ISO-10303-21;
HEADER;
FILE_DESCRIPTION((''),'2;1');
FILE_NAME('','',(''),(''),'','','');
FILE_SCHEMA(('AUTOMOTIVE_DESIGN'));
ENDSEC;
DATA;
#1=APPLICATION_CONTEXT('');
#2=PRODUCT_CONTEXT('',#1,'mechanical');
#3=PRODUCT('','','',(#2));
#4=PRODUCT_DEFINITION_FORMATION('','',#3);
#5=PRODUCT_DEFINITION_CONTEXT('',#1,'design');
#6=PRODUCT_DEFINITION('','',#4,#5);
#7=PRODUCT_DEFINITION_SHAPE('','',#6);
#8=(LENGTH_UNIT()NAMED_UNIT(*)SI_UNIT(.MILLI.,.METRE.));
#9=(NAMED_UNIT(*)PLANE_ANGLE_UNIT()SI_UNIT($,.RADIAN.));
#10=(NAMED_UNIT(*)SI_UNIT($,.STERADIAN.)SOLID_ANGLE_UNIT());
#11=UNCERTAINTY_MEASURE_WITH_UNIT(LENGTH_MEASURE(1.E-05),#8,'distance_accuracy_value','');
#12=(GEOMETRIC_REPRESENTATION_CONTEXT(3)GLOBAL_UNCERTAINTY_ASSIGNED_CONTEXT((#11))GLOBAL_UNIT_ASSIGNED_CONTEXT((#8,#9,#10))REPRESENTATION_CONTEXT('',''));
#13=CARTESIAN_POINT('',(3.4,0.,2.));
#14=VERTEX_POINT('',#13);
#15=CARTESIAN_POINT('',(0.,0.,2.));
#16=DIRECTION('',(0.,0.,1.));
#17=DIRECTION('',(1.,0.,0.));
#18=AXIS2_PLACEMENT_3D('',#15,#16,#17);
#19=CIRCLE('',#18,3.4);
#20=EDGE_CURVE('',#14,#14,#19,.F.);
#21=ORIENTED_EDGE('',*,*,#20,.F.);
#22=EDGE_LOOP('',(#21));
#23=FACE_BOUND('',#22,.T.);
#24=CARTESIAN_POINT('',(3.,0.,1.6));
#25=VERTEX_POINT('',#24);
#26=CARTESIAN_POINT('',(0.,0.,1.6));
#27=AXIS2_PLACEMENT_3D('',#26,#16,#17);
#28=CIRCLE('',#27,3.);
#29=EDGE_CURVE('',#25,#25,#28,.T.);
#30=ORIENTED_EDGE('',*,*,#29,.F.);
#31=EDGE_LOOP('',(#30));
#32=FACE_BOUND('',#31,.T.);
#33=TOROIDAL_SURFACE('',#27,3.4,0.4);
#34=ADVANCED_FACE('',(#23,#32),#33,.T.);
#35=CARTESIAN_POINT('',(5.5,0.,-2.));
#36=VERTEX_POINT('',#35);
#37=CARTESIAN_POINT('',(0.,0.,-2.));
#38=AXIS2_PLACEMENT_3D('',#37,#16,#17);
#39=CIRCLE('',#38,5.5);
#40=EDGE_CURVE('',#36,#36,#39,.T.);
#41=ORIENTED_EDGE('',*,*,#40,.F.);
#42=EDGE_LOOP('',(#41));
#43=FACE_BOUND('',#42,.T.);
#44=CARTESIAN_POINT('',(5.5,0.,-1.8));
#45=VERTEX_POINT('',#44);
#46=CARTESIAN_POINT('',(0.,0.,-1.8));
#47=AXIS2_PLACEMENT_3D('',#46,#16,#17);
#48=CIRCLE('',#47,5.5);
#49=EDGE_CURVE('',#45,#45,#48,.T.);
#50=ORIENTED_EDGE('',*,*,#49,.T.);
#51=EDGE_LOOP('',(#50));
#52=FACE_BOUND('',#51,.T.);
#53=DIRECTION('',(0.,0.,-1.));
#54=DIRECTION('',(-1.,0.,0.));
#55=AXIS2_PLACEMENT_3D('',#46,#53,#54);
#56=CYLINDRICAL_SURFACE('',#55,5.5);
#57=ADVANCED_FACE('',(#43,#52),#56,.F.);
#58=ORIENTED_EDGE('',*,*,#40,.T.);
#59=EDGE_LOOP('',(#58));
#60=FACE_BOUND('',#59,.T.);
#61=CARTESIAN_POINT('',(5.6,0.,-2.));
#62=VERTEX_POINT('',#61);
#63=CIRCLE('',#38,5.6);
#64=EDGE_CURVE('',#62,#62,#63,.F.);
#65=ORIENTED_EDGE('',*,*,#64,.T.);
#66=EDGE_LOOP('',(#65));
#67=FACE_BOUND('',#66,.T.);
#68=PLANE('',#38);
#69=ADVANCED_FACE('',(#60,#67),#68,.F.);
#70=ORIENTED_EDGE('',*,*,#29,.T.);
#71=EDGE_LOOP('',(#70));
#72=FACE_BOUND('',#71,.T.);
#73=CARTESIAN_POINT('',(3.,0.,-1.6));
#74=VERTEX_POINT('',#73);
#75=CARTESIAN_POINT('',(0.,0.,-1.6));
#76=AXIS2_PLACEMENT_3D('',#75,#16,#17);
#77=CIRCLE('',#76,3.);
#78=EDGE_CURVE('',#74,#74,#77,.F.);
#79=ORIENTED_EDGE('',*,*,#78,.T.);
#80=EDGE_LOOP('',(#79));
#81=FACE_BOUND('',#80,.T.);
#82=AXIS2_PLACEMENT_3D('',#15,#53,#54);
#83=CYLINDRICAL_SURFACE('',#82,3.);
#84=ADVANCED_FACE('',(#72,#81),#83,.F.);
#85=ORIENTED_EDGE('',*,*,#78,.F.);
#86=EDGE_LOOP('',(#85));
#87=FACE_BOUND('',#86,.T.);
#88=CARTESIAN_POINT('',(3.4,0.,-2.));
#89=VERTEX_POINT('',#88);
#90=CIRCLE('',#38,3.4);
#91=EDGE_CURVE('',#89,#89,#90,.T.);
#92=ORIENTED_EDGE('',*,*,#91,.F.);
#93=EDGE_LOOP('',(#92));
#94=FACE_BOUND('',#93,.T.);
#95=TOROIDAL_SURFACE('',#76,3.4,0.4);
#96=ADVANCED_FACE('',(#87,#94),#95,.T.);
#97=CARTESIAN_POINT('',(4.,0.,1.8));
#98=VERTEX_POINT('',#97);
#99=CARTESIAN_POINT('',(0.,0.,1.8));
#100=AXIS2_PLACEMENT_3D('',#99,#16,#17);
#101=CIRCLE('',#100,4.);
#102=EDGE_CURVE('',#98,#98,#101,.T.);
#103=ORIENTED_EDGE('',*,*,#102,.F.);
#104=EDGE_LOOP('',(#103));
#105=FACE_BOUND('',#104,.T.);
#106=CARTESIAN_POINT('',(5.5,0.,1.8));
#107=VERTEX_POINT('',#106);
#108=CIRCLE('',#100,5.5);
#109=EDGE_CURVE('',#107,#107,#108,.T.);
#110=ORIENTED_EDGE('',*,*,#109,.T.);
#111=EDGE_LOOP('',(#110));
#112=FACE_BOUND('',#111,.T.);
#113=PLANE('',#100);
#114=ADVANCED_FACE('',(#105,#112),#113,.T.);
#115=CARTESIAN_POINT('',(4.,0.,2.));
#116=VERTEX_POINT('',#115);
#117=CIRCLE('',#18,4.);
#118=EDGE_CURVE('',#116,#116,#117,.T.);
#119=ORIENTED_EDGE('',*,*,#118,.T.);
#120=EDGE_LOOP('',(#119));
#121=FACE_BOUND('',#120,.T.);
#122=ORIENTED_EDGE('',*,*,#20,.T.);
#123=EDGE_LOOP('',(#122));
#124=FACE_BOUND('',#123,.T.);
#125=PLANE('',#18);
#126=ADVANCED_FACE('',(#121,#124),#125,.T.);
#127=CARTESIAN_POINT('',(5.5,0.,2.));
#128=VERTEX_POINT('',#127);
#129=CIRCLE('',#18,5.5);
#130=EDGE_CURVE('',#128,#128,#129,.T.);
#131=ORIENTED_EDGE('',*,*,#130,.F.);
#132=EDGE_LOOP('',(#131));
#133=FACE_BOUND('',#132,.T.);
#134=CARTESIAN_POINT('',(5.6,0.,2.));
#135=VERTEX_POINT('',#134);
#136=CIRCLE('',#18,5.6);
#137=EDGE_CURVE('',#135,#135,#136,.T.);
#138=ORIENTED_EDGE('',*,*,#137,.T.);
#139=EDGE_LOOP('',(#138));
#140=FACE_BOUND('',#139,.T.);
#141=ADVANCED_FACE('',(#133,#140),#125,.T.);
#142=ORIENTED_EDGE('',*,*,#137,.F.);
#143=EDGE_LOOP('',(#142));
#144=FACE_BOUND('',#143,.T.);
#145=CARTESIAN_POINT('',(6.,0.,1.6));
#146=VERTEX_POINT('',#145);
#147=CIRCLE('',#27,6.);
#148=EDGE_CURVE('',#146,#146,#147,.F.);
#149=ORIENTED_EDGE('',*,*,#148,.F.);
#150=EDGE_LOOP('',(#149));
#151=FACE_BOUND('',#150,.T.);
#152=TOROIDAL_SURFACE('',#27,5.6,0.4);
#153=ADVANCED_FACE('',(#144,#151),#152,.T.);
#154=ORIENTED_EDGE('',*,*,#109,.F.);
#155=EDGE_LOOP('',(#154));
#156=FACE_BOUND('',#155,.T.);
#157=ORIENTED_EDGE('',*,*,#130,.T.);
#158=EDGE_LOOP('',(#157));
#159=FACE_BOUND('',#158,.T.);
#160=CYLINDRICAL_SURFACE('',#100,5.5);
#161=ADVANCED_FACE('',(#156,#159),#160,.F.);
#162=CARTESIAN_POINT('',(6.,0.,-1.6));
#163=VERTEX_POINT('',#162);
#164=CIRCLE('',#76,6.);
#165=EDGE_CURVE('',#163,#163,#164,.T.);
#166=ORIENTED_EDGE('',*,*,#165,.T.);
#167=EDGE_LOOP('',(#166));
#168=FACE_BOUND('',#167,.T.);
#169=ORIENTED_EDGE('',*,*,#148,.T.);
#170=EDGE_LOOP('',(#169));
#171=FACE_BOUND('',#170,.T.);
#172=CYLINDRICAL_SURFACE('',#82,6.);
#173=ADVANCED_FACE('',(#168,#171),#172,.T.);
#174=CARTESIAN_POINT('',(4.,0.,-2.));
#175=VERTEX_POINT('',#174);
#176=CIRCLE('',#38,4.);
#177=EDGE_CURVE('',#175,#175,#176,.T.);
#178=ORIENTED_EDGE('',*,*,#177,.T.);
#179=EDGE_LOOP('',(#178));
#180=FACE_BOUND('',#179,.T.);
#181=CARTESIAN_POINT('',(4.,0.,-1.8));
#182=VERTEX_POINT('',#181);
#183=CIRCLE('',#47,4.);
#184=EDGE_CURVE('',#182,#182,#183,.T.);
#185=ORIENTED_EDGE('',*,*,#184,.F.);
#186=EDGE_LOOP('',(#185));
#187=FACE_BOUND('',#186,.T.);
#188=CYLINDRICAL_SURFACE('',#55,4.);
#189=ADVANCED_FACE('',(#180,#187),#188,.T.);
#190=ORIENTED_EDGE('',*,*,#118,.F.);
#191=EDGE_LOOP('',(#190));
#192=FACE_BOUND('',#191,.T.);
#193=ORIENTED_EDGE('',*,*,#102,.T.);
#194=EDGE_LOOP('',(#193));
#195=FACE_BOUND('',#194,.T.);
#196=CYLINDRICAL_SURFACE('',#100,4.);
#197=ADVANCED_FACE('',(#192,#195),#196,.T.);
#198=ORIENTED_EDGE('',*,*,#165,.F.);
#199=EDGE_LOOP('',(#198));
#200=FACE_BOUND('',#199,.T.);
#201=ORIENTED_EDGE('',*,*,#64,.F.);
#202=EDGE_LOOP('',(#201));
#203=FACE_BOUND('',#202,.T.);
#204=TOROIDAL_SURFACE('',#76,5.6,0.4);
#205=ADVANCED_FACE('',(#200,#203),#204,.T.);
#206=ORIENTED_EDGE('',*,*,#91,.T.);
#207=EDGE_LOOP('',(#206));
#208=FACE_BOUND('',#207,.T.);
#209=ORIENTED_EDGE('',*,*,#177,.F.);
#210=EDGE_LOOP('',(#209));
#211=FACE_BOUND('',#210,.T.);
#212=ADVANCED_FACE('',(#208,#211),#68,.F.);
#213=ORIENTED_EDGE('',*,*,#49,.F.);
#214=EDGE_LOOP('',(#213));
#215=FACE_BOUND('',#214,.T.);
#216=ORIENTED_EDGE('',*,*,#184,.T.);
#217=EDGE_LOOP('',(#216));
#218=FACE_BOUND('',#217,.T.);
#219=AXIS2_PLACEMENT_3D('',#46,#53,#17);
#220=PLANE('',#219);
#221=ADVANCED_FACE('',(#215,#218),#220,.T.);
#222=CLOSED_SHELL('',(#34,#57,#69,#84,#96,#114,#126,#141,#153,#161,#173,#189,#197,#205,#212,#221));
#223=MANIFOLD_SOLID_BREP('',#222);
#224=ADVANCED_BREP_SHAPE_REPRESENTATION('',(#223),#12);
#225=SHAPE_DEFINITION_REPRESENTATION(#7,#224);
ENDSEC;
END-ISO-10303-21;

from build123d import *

# Parameters (mm, degrees)
SKETCH1_R           = 6
SKETCH1_R_2         = 3
BOSS_EXTRUDE1_DEPTH = 2
SKETCH2_R           = 5.5
SKETCH2_R_2         = 4
CUT_EXTRUDE1_DEPTH  = 0.2
FILLET1_R           = 0.4


with BuildPart() as part:
    # Sketch1 → Boss-Extrude1 (new body, symmetric)
    with BuildSketch(Plane.XY):
        Circle(SKETCH1_R)
        Circle(SKETCH1_R_2, mode=Mode.SUBTRACT)
    extrude(amount=BOSS_EXTRUDE1_DEPTH, both=True)

    # Sketch2 → Cut-Extrude1 (cut)
    with BuildSketch(Plane.XY.offset(2)):
        Circle(SKETCH2_R)
        Circle(SKETCH2_R_2, mode=Mode.SUBTRACT)
    cut_extrude1 = extrude(amount=-CUT_EXTRUDE1_DEPTH, mode=Mode.SUBTRACT)

    # Mirror1: Cut-Extrude1 across plane
    add(cut_extrude1.mirror(Plane.XY), mode=Mode.SUBTRACT)

    # Fillet1
    fillet1_edges = [part.edges().sort_by_distance(p)[0] for p in [
        (-6, 0, -2),
        (-6, 0, 2),
        (-3, 0, -2),
        (-3, 0, 2),
    ]]
    fillet(fillet1_edges, radius=FILLET1_R)


solid = part.part
